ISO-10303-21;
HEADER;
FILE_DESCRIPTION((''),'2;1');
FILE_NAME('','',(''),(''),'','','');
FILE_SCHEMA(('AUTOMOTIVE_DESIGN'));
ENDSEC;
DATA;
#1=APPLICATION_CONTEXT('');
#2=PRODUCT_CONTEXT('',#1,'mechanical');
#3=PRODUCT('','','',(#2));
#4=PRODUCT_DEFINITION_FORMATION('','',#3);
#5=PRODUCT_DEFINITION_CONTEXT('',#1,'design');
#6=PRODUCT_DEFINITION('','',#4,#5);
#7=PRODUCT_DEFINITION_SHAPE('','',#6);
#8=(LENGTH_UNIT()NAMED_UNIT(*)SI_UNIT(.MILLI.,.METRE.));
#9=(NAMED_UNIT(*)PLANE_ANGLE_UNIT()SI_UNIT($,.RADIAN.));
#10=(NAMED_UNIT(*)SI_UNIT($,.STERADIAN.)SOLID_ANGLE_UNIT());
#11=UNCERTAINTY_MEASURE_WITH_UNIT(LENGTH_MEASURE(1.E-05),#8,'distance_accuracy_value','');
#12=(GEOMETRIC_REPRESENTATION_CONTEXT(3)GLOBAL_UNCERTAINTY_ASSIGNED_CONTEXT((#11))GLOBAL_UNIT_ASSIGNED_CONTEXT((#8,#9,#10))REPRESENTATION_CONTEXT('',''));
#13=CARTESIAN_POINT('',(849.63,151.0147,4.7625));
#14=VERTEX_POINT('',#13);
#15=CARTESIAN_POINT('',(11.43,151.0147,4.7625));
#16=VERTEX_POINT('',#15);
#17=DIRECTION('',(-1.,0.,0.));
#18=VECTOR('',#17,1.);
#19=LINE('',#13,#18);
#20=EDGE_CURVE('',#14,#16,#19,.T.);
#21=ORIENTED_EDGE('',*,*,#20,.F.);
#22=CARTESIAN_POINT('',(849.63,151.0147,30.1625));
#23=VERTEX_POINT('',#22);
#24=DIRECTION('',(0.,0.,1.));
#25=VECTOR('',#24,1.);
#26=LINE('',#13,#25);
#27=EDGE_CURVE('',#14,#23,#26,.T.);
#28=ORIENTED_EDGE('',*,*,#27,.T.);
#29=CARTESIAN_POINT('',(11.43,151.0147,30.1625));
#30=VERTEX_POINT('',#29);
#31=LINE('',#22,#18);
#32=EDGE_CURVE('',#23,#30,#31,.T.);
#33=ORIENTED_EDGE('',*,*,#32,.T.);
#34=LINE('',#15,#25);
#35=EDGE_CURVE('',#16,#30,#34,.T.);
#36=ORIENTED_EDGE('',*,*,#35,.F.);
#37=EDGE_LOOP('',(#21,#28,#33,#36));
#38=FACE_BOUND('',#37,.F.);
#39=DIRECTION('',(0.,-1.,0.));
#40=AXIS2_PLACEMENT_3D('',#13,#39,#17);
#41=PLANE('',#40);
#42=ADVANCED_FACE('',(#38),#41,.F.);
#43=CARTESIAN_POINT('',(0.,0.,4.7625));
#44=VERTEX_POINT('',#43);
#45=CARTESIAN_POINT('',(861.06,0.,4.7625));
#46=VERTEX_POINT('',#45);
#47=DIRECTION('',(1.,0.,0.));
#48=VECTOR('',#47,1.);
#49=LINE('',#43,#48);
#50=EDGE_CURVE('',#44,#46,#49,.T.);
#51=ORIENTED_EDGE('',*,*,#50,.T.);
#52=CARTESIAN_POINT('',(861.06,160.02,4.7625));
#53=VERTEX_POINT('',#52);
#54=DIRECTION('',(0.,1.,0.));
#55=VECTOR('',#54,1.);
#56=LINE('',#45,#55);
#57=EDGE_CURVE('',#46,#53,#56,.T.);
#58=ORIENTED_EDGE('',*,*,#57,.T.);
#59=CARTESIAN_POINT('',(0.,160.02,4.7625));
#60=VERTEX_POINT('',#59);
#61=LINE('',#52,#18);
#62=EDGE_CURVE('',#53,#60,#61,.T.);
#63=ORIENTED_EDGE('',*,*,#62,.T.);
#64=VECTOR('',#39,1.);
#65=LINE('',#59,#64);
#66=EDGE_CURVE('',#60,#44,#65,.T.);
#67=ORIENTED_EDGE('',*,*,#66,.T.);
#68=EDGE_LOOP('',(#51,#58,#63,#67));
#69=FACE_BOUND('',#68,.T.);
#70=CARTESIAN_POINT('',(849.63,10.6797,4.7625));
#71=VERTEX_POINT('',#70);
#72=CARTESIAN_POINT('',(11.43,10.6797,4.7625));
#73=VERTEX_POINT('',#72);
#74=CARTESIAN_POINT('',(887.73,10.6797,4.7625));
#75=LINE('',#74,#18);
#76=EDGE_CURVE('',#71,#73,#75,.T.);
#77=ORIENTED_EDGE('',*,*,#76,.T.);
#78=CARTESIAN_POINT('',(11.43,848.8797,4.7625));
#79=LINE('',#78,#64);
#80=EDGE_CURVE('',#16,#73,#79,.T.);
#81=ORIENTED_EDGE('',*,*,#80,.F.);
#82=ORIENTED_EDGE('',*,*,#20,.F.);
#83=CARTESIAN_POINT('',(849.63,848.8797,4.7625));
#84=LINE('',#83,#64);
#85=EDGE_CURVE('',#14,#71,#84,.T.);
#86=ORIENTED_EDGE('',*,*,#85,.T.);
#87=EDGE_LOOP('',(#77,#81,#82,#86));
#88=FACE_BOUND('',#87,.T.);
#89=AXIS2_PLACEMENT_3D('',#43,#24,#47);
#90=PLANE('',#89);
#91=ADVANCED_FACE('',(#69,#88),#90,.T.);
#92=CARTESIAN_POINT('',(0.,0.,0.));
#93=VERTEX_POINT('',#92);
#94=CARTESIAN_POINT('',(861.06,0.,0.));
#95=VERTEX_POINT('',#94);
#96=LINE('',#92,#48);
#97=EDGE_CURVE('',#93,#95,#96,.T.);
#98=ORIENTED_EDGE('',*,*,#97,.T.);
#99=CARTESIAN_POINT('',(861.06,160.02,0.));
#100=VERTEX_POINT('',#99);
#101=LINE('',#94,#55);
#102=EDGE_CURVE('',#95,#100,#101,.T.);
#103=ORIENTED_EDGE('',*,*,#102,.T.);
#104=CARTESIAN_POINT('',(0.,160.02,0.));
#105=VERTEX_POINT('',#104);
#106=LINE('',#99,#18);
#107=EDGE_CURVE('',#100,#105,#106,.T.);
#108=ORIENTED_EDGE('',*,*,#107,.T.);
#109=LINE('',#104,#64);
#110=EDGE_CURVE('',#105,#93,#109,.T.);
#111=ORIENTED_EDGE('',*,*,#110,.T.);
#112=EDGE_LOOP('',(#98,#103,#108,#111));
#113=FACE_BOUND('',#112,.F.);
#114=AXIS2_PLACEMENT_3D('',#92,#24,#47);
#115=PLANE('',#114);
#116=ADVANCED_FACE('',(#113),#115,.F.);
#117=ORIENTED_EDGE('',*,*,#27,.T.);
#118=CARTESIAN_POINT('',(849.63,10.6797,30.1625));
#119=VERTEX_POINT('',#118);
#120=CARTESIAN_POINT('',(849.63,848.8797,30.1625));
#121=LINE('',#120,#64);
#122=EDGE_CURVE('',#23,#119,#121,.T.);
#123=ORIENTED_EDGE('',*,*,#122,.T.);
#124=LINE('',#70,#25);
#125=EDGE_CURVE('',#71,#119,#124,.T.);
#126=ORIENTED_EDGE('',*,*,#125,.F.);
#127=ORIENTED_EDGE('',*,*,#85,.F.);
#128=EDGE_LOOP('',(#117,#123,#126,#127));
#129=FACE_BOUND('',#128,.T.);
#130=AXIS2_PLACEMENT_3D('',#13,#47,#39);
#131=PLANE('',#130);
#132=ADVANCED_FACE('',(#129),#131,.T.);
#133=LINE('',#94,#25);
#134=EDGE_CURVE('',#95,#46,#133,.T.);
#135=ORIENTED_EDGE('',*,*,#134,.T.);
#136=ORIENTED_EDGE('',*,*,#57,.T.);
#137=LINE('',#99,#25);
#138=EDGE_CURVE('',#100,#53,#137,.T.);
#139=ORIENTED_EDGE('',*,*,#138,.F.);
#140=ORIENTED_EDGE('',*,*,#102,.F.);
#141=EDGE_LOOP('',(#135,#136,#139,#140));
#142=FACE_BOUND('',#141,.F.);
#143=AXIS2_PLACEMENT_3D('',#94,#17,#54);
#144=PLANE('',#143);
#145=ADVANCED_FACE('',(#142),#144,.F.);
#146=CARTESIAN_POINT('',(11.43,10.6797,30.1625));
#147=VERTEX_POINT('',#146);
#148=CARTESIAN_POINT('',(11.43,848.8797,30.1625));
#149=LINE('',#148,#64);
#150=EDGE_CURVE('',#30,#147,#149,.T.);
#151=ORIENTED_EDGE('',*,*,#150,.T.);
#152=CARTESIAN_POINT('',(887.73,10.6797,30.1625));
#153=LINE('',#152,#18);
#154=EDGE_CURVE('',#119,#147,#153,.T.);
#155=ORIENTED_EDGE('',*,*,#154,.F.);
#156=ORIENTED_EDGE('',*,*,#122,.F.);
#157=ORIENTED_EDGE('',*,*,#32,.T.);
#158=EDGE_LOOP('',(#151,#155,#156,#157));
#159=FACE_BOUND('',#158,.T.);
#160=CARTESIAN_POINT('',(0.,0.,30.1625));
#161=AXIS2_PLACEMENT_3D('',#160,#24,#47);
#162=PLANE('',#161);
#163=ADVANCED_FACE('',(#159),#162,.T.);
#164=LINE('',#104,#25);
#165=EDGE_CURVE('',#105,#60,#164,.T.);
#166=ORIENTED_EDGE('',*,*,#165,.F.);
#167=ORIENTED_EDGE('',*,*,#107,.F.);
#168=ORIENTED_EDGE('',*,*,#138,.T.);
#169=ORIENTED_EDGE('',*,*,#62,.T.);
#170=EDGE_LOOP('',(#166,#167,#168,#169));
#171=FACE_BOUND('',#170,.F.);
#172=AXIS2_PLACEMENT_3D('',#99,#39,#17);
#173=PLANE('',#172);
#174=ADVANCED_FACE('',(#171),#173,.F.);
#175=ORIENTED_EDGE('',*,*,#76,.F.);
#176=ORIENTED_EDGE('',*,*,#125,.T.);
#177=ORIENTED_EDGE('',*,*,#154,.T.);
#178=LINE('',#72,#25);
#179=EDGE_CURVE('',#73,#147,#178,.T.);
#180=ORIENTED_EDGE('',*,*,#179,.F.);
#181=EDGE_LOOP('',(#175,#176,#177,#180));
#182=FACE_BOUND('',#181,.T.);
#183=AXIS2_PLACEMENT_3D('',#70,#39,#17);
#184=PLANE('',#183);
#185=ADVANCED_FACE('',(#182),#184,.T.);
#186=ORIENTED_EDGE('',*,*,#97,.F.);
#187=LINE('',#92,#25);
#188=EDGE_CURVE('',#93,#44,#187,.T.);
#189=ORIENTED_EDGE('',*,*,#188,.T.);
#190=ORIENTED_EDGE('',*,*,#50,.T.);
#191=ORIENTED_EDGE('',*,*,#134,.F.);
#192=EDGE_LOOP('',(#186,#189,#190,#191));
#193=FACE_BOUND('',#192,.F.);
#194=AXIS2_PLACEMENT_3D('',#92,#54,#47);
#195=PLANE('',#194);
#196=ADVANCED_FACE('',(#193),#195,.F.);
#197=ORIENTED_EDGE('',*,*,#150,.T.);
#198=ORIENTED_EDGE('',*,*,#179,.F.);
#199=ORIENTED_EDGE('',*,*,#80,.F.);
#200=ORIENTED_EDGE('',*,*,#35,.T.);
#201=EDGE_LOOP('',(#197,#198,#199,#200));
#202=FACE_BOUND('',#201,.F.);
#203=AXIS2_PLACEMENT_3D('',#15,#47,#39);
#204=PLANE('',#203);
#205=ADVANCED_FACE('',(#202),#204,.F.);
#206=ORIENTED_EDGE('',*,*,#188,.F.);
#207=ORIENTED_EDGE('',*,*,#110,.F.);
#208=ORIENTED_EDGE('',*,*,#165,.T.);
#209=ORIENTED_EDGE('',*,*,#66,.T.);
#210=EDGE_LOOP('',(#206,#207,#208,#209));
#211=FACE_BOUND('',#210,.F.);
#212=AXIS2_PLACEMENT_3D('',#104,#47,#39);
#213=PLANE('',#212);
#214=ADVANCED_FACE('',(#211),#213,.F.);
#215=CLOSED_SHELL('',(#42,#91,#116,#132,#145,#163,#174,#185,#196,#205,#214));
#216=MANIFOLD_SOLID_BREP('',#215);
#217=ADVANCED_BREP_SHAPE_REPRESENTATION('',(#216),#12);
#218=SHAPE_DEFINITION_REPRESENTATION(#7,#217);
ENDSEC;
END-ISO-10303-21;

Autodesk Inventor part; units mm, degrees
ref_plane "YZ Plane" through (0, 0, 0) normal (1, 0, 0) x (0, 1, 0)
ref_plane "XZ Plane" through (0, 0, 0) normal (0, 1, 0) x (-1, 0, 0)
ref_plane "XY Plane" through (0, 0, 0) normal (0, 0, 1) x (1, 0, 0)
sketch "Sketch1" plane through (0, 0, 0) normal (0, 0, 1) x (1, 0, 0)
  line L0 (0, 0) -> (861.06, 0)
  line L1 (861.06, 0) -> (861.06, 160.02)
  line L2 (861.06, 160.02) -> (0, 160.02)
  line L3 (0, 160.02) -> (0, 0)
  dimension "d2" = 861.06
  dimension "d3" = 160.02
extrude "Extrusion1" add sketch "Sketch1" along normal blind 4.7625
sketch "Sketch2" plane through (0, 0, 4.7625) normal (0, 0, 1) x (1, 0, 0)
  line L0 (849.63, 151.0147) -> (11.43, 151.0147) projected
  line L1 (887.73, 10.6797) -> (-26.67, 10.6797) projected
  line L2 (849.63, 848.8797) -> (849.63, 10.6797) projected
  line L3 (11.43, 848.8797) -> (11.43, 10.6797) projected
  line L4 (849.63, 10.6797) -> (11.43, 10.6797)
  line L5 (11.43, 10.6797) -> (11.43, 151.0147)
  line L6 (11.43, 151.0147) -> (849.63, 151.0147)
  line L7 (849.63, 151.0147) -> (849.63, 10.6797)
  point P0 (0, 0)
extrude "Extrusion2" add sketch "Sketch2" along normal blind 25.4
properties part number "gatorboard_01875in_front_door"
